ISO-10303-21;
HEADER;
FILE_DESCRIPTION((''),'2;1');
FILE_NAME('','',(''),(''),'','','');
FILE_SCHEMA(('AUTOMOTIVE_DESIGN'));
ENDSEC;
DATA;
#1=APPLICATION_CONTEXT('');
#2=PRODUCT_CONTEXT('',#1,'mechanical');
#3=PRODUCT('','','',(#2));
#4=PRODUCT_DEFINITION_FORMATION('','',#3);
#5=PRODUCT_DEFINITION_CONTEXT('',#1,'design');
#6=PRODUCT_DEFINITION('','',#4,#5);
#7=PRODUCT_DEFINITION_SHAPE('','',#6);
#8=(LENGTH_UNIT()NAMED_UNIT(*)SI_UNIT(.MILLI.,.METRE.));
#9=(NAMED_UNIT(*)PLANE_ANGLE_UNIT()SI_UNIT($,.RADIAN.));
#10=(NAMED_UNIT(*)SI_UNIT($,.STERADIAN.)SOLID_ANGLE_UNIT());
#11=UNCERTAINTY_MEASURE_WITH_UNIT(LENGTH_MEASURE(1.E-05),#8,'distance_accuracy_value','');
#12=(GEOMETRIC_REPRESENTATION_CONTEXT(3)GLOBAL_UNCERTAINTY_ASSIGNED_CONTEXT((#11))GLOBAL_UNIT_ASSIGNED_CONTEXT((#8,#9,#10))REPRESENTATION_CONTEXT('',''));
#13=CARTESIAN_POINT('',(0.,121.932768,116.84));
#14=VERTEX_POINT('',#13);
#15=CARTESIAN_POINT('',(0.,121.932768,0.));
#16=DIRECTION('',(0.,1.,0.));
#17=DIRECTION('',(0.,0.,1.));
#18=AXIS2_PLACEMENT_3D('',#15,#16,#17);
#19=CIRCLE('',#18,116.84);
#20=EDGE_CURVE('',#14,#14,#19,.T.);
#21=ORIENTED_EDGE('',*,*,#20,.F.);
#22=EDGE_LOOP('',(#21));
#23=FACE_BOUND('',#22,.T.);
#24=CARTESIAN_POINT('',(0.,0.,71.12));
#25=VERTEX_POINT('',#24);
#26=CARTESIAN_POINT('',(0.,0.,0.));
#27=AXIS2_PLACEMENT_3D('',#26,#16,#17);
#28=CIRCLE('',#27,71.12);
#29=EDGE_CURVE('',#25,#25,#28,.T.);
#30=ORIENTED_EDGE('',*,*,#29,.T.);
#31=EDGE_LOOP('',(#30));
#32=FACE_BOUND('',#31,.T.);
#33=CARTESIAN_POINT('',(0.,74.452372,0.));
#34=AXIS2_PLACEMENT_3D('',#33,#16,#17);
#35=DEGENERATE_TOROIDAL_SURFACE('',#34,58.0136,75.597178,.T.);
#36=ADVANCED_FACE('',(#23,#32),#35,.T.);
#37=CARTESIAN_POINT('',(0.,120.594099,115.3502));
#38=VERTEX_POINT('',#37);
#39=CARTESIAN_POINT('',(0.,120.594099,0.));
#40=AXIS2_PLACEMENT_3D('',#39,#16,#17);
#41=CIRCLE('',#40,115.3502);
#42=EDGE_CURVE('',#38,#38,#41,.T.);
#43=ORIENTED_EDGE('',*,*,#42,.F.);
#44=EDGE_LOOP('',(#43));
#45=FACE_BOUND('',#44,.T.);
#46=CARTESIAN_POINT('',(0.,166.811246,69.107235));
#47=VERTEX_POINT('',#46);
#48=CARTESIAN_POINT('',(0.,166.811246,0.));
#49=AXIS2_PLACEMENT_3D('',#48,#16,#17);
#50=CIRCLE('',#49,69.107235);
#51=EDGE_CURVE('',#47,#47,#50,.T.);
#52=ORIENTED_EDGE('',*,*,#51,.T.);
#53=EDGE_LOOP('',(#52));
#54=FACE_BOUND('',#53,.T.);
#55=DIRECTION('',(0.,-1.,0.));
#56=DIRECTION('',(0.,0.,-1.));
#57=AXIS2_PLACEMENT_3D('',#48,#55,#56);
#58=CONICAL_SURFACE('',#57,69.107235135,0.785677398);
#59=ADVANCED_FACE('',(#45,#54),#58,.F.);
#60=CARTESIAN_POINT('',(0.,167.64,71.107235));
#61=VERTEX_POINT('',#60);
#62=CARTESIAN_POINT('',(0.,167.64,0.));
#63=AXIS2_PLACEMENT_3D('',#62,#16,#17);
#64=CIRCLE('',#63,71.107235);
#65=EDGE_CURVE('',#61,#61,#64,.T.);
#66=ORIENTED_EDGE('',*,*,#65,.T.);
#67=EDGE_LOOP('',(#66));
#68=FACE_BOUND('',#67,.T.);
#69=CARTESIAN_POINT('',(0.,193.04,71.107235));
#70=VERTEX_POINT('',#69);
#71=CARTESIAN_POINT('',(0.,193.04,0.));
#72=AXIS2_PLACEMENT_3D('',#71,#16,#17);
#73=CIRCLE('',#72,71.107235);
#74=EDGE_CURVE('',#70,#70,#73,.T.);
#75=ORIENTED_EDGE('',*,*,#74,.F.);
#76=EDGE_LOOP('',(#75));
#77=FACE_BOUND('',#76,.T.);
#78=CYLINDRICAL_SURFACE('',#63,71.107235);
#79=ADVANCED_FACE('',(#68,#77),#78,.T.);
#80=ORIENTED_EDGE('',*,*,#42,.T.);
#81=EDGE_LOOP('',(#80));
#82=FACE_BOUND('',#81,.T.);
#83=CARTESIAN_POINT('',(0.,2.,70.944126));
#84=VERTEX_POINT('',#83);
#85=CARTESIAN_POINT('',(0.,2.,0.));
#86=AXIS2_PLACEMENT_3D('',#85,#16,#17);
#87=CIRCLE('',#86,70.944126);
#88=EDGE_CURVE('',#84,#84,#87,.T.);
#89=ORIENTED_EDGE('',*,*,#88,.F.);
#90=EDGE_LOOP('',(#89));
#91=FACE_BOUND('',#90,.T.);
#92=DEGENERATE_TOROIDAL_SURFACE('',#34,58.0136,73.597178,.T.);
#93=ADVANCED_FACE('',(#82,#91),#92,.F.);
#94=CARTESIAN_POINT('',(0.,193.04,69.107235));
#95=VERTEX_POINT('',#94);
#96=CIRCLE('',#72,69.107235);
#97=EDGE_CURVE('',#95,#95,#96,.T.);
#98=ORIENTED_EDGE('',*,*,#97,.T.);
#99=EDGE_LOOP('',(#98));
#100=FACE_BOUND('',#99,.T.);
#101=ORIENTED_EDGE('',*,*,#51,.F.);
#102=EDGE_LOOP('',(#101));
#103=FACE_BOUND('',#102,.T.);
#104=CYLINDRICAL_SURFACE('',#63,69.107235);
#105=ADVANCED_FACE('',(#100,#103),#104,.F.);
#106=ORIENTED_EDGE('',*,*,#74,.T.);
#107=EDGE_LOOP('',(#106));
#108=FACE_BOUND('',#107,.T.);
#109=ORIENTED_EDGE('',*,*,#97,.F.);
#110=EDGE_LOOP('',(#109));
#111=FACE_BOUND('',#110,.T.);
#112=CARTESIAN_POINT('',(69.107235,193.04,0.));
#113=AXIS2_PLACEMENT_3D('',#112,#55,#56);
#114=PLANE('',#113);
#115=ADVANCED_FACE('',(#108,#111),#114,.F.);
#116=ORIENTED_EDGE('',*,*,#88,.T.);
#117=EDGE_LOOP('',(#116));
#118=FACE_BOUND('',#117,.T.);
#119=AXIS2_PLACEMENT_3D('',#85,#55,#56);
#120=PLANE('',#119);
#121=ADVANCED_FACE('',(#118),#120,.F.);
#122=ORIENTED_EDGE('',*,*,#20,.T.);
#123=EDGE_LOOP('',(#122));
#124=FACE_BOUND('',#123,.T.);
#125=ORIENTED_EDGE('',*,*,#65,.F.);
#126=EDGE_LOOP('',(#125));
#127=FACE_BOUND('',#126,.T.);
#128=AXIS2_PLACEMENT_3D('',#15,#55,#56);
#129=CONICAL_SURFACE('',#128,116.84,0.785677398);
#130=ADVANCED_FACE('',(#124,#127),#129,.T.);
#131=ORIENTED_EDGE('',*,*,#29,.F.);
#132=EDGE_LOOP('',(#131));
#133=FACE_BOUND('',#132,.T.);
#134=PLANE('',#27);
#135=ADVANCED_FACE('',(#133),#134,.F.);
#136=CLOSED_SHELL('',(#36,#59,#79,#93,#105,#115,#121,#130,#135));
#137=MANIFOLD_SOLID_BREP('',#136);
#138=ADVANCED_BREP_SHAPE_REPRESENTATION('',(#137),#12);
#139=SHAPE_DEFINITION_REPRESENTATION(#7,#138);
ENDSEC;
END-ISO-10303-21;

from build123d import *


with BuildPart() as part:
    # Sketch1 → Revolve1 (revolve)
    with BuildSketch(Plane.XY, mode=Mode.PRIVATE) as revolve1_sk:
        with BuildLine():
            Line((0, 0), (71.12, 0))
            ThreePointArc((71.12, 0), (128.798357782, 47.910867335), (116.84, 121.932768447))
            Line((116.84, 121.932768447), (71.107235199, 167.64))
            Line((71.107235199, 167.64), (71.107235199, 193.04))
            Line((71.107235199, 193.04), (69.107235135, 193.04))
            Line((69.107235135, 193.04), (69.107235135, 166.811245686))
            Line((69.107235135, 166.811245686), (115.350199907, 120.594099014))
            ThreePointArc((115.350199907, 120.594099014), (126.937524082, 48.644672186), (70.944125676, 2.000000064))
            Line((70.944125676, 2.000000064), (0, 2.000000064))
            Line((0, 2.000000064), (0, 0))
        make_face()
    revolve(revolve1_sk.sketch.rotate(Axis((0, 167.64, 0), (0, -1, 0)), 90), axis=Axis((0, 167.64, 0), (0, -1, 0)))


solid = part.part
